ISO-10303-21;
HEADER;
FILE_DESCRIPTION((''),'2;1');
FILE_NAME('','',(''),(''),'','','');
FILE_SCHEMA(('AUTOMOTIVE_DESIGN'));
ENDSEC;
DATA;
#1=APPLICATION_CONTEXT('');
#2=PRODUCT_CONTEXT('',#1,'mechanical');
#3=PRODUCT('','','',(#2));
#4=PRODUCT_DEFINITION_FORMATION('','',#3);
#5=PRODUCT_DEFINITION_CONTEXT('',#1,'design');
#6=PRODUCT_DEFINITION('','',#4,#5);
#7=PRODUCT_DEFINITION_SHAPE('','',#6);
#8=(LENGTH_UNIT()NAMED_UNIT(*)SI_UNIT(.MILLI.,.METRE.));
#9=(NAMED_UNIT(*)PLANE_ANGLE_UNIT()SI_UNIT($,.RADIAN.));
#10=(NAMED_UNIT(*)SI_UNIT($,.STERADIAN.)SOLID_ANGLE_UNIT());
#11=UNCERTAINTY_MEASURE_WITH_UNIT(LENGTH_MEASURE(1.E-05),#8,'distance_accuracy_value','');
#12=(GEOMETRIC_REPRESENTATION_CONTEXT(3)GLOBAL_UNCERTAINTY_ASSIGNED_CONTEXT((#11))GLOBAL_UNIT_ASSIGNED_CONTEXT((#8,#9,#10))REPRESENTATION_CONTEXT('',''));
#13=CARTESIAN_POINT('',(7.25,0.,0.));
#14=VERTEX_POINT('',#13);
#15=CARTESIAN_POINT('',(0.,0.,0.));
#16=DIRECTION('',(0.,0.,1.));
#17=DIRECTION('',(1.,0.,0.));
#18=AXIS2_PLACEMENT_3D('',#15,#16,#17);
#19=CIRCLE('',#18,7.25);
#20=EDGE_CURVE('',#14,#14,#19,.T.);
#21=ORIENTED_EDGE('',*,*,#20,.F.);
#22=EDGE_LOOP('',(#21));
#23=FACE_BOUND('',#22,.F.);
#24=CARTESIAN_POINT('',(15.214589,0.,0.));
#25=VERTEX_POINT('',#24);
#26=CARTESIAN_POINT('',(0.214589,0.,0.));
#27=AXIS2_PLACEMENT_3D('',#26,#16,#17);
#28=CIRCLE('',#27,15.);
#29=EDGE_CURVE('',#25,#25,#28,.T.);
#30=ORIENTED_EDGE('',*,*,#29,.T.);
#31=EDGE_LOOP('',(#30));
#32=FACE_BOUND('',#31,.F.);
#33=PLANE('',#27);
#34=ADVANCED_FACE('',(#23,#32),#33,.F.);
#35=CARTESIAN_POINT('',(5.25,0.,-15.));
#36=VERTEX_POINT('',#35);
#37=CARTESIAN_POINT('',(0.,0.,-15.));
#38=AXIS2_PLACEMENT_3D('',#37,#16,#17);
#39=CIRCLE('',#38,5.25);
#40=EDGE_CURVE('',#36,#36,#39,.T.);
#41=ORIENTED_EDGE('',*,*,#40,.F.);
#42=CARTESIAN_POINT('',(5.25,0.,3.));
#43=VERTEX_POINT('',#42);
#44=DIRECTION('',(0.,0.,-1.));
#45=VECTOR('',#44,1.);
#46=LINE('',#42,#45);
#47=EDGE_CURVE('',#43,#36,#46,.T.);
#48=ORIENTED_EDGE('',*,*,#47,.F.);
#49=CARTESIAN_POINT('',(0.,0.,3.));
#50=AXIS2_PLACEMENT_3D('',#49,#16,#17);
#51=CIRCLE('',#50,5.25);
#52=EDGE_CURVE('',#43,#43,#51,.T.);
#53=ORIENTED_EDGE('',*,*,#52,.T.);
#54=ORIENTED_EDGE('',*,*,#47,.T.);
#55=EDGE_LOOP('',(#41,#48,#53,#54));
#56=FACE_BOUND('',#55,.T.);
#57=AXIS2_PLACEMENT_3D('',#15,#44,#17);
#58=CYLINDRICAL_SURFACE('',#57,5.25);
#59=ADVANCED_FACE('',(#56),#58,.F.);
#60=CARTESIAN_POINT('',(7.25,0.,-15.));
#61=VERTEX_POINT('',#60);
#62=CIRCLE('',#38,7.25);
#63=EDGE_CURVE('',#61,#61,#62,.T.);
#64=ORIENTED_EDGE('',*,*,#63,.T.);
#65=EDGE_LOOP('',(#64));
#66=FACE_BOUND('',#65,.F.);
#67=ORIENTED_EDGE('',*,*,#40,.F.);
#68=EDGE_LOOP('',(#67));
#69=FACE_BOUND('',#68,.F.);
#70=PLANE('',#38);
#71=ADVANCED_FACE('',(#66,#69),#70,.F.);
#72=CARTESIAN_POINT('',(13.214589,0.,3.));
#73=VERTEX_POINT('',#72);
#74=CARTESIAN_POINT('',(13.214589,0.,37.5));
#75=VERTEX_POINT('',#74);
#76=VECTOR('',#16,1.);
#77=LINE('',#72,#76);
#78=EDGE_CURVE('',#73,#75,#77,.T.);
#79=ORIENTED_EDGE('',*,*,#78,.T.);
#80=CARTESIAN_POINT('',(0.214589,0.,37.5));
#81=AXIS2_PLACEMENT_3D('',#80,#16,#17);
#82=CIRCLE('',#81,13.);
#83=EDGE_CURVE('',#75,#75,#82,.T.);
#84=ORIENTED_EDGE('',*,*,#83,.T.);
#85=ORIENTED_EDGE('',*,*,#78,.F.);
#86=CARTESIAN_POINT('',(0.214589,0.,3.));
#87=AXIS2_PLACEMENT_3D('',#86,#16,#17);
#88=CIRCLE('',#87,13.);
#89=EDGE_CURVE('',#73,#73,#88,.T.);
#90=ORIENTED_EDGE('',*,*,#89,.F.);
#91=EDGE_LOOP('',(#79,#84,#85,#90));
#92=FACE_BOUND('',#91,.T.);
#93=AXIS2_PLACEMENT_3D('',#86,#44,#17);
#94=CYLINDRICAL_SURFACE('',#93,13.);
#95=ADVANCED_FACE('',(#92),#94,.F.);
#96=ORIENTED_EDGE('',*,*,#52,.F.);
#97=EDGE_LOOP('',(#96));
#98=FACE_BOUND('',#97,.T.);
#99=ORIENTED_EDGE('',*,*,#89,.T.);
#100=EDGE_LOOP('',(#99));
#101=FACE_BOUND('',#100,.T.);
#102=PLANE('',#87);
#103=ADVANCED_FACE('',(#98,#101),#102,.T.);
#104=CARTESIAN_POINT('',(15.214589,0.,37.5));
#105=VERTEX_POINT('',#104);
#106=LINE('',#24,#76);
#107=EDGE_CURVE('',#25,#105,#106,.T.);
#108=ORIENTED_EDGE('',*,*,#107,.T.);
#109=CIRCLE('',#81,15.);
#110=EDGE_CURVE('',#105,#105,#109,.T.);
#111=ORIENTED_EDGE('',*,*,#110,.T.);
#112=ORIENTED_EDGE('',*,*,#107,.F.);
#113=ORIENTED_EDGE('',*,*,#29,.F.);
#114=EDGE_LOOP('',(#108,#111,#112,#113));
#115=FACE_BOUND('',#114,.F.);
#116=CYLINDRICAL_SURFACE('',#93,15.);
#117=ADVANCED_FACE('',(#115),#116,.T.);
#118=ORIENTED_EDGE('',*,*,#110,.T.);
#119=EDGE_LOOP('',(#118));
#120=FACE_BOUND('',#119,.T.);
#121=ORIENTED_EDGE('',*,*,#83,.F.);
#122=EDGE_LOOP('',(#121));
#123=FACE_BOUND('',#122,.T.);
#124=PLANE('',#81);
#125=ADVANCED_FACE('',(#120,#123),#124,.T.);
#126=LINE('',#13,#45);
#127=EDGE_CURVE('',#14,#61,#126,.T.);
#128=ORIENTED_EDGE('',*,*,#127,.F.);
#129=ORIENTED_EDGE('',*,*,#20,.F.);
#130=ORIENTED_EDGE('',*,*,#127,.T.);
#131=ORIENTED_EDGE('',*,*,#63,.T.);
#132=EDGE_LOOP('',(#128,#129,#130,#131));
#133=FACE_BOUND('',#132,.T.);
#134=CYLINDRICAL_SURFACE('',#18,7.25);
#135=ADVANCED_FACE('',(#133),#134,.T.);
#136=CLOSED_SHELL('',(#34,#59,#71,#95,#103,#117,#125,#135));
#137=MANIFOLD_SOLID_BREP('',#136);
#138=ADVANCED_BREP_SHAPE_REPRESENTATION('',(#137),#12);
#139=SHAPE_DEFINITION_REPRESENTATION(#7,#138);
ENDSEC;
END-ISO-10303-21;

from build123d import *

# Parameters (mm, degrees)
F0_R     = 7.25
F0_R_2   = 5.25
F1_DEPTH = 15
F2_R     = 15
F2_R_2   = 5.25
F3_DEPTH = 3
F4_R     = 15
F4_R_2   = 13
F5_DEPTH = 34.5


with BuildPart() as f1:
    # F0 (on Top) → F1 (new body)
    with BuildSketch(Plane.XY):
        Circle(F0_R)
        Circle(F0_R_2, mode=Mode.SUBTRACT)
    extrude(amount=-F1_DEPTH)

    # F2 (on face) → F3 (join)
    with BuildSketch(Plane.XY):
        with Locations((0.214589, 0)):
            Circle(F2_R)
        Circle(F2_R_2, mode=Mode.SUBTRACT)
    extrude(amount=F3_DEPTH)

    # F4 (on face) → F5 (join)
    with BuildSketch(Plane.XY.offset(3)):
        with Locations((0.214589, 0)):
            Circle(F4_R)
        with Locations((0.214589, 0)):
            Circle(F4_R_2, mode=Mode.SUBTRACT)
    extrude(amount=F5_DEPTH)


solid = f1.part
